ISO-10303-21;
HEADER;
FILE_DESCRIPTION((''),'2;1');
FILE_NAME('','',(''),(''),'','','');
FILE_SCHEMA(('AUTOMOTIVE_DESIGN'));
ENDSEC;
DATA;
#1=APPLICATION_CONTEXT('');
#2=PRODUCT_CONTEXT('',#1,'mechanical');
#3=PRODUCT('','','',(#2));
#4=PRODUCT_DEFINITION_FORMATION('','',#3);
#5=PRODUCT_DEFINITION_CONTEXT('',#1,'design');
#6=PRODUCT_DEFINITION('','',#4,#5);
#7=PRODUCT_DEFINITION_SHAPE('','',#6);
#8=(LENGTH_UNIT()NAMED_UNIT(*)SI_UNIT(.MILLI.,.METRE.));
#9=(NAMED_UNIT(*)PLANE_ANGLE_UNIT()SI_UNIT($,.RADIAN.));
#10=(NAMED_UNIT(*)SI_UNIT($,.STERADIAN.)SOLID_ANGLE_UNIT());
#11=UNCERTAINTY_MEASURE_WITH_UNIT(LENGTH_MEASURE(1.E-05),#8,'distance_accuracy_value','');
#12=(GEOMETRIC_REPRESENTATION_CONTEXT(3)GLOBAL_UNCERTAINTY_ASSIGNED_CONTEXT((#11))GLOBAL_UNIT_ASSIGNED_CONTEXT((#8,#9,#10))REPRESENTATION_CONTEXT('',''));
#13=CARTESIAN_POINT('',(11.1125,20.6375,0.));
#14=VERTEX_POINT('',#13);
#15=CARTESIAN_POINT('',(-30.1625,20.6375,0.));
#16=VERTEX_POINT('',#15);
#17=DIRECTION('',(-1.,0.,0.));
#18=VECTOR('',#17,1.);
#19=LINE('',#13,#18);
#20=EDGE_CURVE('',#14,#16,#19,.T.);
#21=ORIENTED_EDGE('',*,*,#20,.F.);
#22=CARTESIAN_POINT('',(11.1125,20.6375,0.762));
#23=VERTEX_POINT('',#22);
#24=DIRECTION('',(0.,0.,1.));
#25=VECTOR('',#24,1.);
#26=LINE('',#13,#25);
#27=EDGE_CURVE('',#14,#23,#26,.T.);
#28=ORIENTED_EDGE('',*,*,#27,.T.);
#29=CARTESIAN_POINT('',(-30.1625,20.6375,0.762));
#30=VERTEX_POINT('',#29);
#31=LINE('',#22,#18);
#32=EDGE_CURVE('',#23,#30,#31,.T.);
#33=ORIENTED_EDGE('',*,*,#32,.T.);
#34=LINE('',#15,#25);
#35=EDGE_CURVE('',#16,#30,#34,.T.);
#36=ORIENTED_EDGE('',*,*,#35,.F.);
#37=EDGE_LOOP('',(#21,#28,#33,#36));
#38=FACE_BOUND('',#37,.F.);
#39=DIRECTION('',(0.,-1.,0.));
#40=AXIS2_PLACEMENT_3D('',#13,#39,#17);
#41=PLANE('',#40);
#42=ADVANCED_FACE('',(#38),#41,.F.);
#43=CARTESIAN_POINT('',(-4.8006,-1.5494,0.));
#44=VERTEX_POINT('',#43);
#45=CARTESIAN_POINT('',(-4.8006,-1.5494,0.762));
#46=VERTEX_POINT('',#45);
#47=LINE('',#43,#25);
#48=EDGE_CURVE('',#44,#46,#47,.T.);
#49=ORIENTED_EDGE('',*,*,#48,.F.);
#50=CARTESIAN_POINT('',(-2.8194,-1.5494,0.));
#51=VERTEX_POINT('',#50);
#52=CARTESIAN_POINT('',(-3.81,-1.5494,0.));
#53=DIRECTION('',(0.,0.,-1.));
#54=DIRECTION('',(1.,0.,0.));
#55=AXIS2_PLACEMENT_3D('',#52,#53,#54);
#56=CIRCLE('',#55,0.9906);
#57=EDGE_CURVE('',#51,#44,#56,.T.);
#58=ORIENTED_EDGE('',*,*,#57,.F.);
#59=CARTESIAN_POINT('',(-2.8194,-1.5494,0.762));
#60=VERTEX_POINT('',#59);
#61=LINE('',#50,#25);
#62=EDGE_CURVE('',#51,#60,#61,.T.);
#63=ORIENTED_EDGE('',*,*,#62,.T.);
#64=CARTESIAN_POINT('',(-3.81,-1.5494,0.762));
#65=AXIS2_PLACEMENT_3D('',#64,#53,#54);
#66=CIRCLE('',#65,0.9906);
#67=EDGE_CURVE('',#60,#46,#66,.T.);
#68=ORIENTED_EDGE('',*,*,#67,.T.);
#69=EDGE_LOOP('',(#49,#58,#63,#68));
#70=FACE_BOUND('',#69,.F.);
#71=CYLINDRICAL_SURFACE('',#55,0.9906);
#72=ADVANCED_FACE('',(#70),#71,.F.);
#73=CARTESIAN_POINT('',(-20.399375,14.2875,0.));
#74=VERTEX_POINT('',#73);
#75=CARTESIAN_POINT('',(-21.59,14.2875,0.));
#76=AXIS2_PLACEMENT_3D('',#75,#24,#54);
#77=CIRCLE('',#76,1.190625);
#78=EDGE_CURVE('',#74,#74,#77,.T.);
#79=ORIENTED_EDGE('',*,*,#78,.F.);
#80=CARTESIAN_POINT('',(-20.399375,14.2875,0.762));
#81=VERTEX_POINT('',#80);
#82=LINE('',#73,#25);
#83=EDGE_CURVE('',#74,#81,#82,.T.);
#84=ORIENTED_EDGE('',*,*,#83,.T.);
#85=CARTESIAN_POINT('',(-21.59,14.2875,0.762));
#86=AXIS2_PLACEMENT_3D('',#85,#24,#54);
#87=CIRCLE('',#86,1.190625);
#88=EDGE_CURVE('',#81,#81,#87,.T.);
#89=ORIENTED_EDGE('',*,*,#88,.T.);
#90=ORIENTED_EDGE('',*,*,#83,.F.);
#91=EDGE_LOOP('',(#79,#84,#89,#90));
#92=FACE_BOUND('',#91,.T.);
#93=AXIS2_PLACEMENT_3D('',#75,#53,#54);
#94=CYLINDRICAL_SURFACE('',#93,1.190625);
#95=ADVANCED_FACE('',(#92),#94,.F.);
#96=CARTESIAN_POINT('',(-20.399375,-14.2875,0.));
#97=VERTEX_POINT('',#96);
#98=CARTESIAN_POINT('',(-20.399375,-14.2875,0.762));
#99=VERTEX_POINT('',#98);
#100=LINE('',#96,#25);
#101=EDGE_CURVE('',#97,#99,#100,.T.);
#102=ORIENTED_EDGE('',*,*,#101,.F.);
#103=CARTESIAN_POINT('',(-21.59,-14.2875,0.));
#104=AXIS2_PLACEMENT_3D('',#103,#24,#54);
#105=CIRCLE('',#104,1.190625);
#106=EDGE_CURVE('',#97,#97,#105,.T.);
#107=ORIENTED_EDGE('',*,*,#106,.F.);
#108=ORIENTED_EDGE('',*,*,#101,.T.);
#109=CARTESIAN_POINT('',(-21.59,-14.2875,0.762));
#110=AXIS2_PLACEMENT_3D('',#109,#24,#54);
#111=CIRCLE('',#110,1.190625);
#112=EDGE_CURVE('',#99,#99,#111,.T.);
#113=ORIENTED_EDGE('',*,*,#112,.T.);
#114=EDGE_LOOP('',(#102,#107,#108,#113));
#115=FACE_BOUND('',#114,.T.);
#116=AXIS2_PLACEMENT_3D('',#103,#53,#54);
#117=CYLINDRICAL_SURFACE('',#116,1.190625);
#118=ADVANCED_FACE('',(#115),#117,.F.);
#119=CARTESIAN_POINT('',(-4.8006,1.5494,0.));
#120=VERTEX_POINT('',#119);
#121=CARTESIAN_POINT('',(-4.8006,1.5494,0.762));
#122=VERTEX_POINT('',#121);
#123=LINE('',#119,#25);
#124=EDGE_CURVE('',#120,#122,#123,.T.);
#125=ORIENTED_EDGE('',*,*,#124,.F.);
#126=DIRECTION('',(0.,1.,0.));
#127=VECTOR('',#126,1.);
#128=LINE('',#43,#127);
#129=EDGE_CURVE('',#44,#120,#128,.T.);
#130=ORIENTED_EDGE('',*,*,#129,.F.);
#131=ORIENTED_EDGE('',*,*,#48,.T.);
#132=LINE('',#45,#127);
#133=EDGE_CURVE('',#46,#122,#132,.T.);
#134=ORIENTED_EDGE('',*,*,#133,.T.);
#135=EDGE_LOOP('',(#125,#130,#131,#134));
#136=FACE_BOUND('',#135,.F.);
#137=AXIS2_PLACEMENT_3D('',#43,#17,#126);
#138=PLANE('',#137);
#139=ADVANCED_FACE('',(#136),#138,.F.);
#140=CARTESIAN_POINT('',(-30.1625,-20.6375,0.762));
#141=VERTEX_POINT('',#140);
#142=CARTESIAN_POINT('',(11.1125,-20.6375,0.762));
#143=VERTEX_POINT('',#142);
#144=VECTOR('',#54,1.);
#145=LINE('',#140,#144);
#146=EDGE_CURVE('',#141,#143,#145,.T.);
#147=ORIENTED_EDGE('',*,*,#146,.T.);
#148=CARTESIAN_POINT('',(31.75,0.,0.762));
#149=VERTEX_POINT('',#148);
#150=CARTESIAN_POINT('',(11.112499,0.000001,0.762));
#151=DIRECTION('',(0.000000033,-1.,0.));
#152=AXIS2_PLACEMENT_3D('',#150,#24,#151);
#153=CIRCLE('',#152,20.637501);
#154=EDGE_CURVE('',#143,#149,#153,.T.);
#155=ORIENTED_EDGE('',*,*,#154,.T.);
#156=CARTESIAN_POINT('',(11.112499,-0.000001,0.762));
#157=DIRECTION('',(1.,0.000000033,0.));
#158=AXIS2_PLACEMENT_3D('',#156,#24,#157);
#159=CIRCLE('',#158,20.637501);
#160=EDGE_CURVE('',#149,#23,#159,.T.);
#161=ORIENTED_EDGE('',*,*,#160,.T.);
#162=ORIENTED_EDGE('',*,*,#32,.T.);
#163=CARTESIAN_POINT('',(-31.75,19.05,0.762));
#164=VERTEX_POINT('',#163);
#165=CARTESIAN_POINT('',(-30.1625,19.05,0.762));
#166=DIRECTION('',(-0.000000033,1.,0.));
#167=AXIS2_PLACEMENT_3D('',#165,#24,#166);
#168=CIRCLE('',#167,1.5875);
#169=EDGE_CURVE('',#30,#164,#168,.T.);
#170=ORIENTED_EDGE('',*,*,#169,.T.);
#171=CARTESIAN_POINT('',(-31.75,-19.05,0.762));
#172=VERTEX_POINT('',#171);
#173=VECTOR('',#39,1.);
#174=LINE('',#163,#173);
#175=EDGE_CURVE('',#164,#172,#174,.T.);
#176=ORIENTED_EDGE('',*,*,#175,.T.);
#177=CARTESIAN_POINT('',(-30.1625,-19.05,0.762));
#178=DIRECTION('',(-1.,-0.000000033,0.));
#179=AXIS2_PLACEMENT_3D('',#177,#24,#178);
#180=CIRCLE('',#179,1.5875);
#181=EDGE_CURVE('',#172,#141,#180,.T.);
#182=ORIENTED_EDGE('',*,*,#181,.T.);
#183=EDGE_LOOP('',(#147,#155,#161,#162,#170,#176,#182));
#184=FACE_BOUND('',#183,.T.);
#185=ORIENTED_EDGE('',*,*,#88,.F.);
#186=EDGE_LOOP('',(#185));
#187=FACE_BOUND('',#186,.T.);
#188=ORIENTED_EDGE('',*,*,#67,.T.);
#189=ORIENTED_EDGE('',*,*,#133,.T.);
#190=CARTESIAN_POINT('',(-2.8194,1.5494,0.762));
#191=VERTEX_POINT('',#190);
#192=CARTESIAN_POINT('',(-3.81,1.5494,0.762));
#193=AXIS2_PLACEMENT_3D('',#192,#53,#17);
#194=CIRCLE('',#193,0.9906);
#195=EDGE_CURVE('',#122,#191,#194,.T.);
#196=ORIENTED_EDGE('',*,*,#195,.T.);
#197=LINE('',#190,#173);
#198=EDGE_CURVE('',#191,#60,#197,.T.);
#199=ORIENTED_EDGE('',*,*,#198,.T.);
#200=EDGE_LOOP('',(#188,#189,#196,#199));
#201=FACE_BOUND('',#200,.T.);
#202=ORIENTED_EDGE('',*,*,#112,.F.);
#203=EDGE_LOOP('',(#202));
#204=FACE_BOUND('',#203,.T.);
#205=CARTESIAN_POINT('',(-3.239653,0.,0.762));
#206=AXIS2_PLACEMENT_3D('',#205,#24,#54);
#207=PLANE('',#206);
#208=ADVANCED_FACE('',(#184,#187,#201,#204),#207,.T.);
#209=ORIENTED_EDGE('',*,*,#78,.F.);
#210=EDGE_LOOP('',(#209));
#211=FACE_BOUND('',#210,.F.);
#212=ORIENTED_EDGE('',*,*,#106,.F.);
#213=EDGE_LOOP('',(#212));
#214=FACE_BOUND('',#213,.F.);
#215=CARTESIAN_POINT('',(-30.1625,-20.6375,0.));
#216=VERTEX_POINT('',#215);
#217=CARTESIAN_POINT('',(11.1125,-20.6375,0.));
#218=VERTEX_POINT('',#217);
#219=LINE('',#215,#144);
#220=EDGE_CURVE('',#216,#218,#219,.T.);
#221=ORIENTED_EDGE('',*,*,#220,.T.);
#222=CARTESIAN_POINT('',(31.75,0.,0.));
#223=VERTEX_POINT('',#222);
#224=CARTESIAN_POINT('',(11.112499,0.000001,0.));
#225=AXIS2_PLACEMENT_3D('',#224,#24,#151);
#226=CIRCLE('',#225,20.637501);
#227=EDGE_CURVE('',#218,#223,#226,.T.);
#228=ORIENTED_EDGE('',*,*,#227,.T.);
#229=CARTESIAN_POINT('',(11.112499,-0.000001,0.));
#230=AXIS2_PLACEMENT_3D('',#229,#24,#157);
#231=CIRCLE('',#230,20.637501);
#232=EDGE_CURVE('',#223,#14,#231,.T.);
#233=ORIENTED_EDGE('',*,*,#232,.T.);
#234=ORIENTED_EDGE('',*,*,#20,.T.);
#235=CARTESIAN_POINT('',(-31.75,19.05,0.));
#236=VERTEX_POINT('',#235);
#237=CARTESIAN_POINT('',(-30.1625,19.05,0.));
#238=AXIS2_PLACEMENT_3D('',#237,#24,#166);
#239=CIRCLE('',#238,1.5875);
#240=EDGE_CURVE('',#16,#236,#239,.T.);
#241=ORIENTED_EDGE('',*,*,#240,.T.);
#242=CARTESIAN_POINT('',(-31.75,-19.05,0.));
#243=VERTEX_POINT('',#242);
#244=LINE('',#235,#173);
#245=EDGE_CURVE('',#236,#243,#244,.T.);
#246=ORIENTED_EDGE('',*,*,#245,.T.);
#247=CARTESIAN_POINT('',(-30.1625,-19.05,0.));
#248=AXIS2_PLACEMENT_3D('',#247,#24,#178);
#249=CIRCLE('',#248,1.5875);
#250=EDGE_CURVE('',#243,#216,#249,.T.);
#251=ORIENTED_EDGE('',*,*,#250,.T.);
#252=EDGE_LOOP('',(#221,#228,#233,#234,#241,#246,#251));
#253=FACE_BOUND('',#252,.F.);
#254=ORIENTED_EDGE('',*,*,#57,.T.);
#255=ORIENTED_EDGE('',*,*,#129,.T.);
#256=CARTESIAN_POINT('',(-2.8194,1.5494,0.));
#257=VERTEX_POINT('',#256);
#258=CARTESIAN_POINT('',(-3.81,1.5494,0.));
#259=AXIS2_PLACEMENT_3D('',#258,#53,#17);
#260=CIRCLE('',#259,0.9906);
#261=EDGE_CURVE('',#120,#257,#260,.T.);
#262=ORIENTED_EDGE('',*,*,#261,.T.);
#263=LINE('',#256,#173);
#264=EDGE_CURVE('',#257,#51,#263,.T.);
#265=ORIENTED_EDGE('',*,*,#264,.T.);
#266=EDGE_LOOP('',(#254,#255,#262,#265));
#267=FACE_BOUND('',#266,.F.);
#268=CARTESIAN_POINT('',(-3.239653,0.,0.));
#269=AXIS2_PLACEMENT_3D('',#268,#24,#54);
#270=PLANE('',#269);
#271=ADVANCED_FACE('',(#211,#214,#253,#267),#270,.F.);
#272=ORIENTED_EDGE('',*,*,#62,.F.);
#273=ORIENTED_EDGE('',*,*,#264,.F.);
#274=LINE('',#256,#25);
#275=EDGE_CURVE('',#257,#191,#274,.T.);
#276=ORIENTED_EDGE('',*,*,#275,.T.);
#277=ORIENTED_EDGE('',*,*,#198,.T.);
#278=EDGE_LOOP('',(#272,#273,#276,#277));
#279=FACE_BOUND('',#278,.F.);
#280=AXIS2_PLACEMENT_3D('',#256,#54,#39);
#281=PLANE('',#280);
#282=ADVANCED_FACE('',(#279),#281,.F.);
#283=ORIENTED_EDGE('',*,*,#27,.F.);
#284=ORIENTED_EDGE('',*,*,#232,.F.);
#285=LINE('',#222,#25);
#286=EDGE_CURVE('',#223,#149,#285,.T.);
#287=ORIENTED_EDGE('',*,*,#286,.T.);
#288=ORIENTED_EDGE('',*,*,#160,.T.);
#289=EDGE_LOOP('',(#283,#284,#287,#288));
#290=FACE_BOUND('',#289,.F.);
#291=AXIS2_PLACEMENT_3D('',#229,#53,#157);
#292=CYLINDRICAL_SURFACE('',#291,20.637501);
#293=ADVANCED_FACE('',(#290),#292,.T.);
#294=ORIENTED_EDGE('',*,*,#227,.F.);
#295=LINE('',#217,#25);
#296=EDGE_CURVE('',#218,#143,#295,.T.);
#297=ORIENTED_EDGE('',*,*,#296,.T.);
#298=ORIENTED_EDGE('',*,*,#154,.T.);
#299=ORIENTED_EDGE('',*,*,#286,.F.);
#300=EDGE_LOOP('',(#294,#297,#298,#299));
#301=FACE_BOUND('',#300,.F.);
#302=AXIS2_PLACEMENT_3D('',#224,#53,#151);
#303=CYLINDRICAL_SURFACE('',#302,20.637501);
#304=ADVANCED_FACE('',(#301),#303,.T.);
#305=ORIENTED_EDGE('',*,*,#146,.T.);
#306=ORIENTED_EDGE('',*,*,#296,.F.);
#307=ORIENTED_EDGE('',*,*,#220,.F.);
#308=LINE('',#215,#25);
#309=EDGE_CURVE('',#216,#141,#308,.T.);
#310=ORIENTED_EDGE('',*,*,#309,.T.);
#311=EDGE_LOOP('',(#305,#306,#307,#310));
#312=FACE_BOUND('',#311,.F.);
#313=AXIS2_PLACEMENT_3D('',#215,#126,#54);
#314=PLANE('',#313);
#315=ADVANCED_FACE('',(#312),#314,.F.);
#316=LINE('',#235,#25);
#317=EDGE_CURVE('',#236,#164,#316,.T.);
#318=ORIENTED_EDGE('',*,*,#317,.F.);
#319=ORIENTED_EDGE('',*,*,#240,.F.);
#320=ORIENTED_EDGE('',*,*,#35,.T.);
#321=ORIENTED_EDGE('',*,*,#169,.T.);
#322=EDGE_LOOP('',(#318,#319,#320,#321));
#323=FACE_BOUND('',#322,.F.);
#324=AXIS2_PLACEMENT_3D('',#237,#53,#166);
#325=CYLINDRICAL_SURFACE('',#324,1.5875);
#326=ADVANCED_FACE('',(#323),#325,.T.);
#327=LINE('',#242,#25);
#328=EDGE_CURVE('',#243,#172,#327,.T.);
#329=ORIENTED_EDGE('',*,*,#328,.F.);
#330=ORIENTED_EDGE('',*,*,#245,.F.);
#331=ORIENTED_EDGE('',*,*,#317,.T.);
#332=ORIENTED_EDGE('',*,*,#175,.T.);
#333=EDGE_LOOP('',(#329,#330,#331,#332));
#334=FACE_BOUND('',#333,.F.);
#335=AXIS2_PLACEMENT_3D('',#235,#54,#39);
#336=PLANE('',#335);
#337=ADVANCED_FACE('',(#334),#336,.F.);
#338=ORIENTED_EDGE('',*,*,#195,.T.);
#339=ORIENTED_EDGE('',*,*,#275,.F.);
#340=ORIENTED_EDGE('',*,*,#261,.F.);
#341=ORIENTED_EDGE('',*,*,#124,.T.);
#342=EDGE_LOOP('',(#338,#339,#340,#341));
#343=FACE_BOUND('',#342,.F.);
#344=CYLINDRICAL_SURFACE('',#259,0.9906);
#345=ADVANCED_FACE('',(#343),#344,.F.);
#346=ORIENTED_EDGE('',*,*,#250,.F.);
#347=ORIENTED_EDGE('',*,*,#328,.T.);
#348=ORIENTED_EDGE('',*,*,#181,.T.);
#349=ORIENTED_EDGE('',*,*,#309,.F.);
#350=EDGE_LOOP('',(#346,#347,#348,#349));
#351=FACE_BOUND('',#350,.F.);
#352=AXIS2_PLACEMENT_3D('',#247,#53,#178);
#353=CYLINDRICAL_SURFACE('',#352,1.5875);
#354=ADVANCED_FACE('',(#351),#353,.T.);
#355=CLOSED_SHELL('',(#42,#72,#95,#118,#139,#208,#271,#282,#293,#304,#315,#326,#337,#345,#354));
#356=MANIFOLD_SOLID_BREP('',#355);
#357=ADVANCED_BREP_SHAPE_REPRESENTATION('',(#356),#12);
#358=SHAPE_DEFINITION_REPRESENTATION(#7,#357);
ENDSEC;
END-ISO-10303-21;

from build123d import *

# Parameters (mm, degrees)
F0_R     = 1.190625
F1_DEPTH = 0.762


with BuildPart() as f1:
    # F0 (on Top) → F1 (new body)
    with BuildSketch(Plane.XY):
        with BuildLine():
            Line((-30.1625, -20.6375), (11.1125, -20.6375))
            ThreePointArc((11.1125, -20.6375), (25.705416, -14.592916), (31.75, 0))
            ThreePointArc((31.75, 0), (25.705416, 14.592916), (11.1125, 20.6375))
            Line((11.1125, 20.6375), (-30.1625, 20.6375))
            ThreePointArc((-30.1625, 20.6375), (-31.285032, 20.172532), (-31.75, 19.05))
            Line((-31.75, 19.05), (-31.75, -19.05))
            ThreePointArc((-31.75, -19.05), (-31.285032, -20.172532), (-30.1625, -20.6375))
        make_face()
        with Locations((-21.59, -14.2875)):
            Circle(F0_R, mode=Mode.SUBTRACT)
        with BuildLine():
            Line((-2.8194, 1.5494), (-2.8194, -1.5494))
            ThreePointArc((-2.8194, -1.5494), (-3.81, -2.54), (-4.8006, -1.5494))
            Line((-4.8006, -1.5494), (-4.8006, 1.5494))
            ThreePointArc((-4.8006, 1.5494), (-3.81, 2.54), (-2.8194, 1.5494))
        make_face(mode=Mode.SUBTRACT)
        with Locations((-21.59, 14.2875)):
            Circle(F0_R, mode=Mode.SUBTRACT)
    extrude(amount=F1_DEPTH)


solid = f1.part
